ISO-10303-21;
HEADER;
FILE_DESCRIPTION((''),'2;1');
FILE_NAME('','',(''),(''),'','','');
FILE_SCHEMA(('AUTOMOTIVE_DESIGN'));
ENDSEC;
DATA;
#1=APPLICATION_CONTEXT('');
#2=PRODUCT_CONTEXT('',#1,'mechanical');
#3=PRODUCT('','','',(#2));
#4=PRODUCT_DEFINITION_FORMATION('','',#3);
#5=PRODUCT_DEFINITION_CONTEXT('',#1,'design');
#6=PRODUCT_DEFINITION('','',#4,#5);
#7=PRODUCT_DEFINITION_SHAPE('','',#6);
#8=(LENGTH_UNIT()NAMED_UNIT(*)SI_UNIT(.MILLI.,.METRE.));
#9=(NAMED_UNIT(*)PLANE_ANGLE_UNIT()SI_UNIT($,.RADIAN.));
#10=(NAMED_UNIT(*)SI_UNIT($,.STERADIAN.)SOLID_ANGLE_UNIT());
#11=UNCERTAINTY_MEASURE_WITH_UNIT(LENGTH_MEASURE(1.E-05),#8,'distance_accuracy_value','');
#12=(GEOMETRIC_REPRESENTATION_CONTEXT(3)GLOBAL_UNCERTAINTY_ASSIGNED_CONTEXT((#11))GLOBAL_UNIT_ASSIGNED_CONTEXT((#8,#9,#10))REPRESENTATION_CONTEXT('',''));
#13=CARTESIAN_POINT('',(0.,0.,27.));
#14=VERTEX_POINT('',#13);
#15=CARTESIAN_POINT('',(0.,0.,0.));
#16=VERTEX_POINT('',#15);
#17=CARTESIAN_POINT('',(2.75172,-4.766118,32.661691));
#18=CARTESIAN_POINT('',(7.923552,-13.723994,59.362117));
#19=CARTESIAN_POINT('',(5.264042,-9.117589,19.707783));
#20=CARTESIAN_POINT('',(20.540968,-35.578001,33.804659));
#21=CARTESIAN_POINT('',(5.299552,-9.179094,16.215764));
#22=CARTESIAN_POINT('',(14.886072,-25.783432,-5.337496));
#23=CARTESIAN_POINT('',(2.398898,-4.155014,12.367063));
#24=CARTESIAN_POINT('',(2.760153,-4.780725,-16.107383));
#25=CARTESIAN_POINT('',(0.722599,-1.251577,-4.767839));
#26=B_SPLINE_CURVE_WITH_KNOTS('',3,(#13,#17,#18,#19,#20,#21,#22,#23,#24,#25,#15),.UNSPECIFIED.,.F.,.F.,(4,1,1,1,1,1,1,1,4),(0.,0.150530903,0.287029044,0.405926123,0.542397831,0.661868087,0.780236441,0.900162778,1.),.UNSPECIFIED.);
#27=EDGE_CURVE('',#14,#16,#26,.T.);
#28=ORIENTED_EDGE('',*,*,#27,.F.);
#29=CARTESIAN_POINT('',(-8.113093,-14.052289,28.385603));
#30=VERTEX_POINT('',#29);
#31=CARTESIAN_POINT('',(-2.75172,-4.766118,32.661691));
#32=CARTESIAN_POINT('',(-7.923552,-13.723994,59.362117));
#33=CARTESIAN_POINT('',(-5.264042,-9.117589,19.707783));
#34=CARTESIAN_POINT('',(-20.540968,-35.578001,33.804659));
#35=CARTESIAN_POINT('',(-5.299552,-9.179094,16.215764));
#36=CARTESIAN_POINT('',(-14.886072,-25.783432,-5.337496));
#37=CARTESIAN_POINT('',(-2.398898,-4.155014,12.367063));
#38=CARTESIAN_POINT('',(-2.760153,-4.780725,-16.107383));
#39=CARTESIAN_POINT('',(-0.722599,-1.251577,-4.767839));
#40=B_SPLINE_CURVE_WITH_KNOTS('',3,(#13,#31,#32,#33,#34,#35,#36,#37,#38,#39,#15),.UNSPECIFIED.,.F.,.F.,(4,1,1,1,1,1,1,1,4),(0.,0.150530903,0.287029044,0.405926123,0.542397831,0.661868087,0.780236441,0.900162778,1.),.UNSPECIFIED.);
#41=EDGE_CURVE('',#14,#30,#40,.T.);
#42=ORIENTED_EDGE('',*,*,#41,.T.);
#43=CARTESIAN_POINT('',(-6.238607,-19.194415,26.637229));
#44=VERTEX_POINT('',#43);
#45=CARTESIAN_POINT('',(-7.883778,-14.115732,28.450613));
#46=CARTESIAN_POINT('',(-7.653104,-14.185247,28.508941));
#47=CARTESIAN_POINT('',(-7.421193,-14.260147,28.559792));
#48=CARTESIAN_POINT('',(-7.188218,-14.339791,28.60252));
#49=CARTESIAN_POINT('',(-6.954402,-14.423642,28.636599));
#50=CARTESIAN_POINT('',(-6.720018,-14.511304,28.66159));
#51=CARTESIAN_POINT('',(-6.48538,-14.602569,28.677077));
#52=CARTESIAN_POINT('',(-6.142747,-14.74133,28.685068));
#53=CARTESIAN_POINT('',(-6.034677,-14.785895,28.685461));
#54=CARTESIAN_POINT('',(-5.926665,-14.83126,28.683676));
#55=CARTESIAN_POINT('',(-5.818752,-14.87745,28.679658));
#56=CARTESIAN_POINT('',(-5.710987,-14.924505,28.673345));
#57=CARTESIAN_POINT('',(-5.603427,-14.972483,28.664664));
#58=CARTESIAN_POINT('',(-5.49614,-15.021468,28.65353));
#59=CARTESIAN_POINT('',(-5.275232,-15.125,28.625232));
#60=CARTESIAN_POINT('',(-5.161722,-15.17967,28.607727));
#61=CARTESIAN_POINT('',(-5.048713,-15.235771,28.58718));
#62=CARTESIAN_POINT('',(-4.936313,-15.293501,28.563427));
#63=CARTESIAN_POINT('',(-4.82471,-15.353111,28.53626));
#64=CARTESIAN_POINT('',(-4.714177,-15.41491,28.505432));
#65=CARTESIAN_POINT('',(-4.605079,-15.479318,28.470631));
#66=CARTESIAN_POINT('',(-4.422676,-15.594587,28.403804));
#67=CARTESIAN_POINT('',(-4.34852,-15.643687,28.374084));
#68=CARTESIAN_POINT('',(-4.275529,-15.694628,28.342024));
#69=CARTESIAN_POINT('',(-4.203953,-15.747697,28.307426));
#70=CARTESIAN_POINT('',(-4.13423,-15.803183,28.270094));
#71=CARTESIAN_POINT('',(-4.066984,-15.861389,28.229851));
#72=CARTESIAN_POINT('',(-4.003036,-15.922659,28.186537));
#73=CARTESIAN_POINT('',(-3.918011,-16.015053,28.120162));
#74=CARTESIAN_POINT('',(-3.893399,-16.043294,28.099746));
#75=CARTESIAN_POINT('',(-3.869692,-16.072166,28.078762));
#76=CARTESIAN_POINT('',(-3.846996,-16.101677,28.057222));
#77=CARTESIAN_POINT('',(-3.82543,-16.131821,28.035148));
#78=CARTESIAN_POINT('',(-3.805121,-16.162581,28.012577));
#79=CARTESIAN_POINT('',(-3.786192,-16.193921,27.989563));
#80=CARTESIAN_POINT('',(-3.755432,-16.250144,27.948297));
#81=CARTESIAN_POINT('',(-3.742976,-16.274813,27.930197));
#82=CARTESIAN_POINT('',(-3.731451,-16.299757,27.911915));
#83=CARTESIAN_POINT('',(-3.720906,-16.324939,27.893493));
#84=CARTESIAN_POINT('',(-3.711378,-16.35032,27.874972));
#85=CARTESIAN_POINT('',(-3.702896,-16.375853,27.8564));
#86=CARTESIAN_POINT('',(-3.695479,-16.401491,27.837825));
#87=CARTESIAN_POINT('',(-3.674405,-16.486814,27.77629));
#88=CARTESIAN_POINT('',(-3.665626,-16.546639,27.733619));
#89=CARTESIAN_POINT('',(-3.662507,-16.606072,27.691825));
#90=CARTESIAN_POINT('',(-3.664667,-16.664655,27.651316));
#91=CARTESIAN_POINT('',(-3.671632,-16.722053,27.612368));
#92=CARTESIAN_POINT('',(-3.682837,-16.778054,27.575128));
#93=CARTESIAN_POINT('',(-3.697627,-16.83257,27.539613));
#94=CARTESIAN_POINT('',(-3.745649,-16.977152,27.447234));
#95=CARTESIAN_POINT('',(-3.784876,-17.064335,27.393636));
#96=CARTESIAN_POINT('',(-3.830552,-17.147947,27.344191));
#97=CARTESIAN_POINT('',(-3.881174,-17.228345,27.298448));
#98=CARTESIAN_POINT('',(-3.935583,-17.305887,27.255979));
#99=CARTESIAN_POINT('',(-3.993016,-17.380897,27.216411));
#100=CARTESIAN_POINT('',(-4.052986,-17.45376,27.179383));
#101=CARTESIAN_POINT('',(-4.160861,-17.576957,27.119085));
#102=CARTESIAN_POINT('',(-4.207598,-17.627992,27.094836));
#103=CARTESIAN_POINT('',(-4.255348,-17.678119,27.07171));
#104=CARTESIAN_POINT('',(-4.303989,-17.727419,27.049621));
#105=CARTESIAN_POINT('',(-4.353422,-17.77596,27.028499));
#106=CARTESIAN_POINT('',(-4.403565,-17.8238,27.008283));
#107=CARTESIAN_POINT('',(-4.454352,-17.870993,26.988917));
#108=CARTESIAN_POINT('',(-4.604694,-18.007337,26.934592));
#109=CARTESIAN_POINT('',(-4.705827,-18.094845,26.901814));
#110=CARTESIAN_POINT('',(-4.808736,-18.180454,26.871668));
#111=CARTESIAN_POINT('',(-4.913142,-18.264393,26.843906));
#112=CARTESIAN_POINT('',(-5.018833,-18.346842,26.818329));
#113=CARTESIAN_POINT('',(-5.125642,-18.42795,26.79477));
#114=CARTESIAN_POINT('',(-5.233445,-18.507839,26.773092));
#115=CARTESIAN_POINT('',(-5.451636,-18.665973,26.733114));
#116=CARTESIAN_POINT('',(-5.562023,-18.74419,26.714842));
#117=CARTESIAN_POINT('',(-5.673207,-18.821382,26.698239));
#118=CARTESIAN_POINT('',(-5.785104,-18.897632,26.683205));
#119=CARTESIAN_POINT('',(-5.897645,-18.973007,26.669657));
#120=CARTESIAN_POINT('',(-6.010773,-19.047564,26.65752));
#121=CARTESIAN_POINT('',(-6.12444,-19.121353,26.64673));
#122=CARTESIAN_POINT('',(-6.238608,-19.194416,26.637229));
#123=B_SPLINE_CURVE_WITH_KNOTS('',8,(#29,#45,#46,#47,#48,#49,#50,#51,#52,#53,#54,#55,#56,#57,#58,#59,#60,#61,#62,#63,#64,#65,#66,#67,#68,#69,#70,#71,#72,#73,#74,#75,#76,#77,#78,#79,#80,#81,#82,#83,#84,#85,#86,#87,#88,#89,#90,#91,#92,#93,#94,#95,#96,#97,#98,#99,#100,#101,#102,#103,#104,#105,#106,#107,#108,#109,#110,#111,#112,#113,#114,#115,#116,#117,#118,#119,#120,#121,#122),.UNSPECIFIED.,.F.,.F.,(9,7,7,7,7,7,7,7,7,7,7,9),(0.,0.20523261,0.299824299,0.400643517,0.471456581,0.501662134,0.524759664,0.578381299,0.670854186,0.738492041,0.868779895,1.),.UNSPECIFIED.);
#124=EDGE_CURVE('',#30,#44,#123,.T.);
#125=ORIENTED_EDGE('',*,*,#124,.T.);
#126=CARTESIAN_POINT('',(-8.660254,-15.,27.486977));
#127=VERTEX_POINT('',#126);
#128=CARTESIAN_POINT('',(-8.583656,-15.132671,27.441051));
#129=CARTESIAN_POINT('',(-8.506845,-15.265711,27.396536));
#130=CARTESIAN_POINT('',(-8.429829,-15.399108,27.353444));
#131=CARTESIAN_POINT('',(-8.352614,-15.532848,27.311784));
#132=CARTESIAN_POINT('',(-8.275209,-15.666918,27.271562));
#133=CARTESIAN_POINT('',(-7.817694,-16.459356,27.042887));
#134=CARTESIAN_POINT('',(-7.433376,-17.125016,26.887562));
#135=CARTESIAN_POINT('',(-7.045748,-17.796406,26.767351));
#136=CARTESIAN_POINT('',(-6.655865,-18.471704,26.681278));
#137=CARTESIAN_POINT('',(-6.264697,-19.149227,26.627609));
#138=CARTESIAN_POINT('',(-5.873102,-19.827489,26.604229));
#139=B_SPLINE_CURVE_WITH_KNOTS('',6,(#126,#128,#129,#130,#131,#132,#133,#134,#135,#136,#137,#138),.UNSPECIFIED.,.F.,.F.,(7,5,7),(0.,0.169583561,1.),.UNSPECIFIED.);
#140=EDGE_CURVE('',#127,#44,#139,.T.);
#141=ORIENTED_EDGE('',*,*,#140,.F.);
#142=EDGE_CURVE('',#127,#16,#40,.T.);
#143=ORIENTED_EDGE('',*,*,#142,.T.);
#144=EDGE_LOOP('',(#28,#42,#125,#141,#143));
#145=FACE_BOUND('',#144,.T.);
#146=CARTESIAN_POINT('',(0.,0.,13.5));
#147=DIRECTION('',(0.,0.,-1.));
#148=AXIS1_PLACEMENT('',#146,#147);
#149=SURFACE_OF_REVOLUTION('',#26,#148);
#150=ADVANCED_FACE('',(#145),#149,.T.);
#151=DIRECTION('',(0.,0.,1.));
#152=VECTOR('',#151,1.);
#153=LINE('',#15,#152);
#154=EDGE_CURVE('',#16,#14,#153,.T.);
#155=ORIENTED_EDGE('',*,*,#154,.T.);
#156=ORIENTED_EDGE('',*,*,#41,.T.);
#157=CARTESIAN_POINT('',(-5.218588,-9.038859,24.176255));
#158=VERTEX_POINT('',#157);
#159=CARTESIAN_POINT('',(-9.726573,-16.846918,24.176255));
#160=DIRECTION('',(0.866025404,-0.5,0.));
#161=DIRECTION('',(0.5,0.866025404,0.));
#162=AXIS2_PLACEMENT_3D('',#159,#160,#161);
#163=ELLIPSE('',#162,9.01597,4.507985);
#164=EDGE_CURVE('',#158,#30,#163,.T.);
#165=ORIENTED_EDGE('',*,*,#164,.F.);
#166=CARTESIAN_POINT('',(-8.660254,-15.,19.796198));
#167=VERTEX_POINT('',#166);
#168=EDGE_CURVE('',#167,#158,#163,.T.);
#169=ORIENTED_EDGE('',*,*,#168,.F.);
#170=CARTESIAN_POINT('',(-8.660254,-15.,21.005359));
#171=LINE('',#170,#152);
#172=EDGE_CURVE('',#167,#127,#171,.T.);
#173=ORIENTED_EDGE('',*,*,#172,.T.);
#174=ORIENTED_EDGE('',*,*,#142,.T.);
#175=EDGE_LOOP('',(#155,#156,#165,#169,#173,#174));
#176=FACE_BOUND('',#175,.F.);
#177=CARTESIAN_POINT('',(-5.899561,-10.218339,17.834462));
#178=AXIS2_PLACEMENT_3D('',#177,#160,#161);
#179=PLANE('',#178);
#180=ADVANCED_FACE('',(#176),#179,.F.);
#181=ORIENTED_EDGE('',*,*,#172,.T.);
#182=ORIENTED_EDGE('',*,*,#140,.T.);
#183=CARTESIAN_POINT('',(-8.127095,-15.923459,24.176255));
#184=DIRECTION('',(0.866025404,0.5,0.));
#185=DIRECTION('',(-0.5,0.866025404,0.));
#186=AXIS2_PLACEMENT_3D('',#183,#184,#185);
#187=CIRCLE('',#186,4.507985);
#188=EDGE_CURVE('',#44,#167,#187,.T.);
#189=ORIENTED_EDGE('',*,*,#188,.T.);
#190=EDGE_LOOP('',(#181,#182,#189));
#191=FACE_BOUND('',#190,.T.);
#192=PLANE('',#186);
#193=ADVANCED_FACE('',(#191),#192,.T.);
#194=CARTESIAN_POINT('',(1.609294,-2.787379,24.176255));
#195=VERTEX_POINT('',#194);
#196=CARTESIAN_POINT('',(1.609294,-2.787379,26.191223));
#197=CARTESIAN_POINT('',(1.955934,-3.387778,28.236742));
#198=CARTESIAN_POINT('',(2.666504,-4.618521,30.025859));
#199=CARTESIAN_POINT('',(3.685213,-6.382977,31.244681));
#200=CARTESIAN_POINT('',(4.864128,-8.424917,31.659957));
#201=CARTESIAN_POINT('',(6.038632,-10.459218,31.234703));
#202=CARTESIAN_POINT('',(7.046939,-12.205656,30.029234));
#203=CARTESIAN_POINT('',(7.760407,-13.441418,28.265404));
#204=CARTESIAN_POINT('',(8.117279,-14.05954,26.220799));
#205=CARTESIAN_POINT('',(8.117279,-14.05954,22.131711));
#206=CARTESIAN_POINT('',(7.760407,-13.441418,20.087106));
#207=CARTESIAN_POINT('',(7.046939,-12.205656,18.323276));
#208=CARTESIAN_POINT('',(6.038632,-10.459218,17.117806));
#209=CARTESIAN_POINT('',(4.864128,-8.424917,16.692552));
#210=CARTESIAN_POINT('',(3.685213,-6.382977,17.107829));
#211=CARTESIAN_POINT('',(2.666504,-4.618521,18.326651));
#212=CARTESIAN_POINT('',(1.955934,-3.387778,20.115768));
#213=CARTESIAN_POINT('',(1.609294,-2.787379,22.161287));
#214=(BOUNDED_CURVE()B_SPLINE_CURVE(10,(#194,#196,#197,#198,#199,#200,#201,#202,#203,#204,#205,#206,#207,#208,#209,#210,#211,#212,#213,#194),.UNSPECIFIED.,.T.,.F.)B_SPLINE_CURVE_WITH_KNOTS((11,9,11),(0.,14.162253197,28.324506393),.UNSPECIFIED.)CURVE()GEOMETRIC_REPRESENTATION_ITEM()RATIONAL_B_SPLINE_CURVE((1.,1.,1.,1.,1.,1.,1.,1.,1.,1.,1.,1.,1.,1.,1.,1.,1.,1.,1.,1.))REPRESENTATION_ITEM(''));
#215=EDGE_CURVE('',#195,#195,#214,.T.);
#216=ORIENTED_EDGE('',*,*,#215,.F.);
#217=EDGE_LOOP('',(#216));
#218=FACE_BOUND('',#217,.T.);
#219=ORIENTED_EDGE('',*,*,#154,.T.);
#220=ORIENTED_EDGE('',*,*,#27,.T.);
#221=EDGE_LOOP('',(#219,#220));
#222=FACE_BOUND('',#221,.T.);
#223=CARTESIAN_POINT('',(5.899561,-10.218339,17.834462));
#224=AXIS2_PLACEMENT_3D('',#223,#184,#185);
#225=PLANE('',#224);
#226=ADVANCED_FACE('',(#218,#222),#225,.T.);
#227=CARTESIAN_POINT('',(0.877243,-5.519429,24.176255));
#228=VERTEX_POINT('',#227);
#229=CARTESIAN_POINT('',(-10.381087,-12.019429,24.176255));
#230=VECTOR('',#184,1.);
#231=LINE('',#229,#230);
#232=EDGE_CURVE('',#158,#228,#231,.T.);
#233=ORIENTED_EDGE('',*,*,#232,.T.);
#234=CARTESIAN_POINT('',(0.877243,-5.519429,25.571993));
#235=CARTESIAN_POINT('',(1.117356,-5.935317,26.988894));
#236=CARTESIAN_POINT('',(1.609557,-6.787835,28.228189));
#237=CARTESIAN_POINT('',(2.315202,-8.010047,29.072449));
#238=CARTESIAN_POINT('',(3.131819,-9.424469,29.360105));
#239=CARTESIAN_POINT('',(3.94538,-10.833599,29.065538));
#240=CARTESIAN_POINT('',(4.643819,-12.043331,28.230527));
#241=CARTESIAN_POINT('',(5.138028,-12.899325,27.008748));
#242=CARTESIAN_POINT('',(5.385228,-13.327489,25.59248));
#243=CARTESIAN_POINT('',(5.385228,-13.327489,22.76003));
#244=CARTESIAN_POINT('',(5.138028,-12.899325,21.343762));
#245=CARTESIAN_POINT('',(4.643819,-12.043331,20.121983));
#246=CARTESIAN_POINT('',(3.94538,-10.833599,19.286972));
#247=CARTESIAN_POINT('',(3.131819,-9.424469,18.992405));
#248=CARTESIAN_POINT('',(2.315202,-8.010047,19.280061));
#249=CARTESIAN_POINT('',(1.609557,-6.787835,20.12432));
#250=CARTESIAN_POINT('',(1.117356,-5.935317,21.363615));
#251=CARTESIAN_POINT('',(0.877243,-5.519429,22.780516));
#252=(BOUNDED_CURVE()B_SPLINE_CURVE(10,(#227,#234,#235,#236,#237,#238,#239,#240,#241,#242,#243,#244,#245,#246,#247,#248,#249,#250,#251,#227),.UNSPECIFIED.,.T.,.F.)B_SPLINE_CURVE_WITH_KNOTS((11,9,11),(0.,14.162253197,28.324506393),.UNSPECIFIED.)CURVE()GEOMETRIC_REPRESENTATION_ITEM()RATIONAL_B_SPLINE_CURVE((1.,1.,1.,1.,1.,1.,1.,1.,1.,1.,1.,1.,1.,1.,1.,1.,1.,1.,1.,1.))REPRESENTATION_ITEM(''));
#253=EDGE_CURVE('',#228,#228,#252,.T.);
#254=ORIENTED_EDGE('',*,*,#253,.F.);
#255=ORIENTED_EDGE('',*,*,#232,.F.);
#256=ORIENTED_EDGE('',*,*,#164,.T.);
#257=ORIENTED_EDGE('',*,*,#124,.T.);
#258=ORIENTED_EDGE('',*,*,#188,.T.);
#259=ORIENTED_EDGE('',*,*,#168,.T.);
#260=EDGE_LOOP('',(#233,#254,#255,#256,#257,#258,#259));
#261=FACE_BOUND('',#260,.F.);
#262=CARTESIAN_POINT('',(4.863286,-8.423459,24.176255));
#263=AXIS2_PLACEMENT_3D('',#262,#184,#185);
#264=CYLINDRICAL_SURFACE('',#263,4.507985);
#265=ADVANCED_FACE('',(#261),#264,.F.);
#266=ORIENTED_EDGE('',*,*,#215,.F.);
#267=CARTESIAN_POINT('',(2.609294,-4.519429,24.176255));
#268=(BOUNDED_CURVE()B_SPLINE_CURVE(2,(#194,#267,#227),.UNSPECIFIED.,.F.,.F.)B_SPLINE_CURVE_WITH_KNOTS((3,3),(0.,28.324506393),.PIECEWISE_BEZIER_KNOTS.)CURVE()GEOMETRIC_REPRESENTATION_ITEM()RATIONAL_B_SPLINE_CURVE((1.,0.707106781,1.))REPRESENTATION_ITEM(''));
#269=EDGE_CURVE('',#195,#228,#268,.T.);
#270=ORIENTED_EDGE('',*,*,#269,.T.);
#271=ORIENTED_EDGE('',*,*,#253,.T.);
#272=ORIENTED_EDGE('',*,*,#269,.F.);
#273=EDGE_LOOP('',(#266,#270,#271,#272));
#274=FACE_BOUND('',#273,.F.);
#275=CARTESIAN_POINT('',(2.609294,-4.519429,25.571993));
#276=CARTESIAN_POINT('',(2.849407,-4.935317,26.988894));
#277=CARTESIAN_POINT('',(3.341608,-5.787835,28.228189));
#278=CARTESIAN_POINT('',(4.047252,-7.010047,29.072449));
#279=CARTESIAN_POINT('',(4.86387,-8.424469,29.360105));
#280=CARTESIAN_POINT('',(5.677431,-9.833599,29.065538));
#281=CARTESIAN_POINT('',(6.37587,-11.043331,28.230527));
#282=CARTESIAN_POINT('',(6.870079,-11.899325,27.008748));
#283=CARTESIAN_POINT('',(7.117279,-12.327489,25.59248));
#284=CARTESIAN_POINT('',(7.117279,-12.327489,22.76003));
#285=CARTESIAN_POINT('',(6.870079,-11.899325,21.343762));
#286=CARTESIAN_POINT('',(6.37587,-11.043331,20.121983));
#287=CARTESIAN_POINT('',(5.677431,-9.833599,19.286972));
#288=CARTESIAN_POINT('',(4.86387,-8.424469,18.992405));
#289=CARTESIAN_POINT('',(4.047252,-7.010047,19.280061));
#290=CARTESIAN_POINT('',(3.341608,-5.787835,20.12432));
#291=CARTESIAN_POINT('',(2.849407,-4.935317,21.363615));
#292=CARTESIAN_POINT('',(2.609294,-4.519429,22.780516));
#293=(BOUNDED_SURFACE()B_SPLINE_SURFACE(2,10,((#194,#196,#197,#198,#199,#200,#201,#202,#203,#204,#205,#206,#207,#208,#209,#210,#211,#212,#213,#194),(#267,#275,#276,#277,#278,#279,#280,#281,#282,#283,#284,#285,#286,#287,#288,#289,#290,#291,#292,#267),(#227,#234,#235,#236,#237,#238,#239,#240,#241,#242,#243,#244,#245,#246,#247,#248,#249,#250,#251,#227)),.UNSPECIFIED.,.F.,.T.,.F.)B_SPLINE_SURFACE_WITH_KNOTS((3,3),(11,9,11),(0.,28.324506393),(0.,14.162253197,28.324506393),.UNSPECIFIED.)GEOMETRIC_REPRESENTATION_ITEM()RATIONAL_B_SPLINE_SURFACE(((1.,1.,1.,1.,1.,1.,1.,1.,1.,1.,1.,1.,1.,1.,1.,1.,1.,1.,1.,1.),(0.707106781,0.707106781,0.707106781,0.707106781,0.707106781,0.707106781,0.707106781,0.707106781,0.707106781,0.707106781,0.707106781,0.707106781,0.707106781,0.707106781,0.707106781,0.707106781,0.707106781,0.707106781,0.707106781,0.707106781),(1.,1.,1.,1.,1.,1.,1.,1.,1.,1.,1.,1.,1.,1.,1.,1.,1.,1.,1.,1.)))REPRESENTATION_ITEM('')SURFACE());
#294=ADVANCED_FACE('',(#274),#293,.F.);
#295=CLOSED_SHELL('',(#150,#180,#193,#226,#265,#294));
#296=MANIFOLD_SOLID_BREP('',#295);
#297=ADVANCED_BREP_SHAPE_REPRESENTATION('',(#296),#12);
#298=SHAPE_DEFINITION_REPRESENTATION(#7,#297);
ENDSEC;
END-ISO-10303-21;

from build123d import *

# Parameters (mm, degrees)
F1_ANGLE_BACK = 30
F1_ANGLE      = 60
F2_R          = 4.5079852031
F3_DEPTH      = 15
F4_R          = 2


with BuildPart() as f1:
    # F0 (on Right) → F1 (revolve)
    with BuildSketch(Plane.YZ, mode=Mode.PRIVATE) as f1_sk:
        with BuildLine():
            Line((0, 0), (0, 27))
            add(Edge.make_bspline(
                [(0, 27), (-5.5034394129, 32.661690712), (-15.8471030498, 59.3621170559), (-10.5280846021, 19.7077828646), (-41.0819364315, 33.8046592086), (-10.5991049383, 16.215764014), (-29.7721432902, -5.3374961203), (-4.7977967218, 12.3670629457), (-5.5203058645, -16.1073831097), (-1.4451971006, -4.7678385339), (0, 0)],
                knots=[0, 0, 0, 0, 0.150530903, 0.287029044, 0.4059261233, 0.5423978305, 0.661868087, 0.7802364409, 0.9001627782, 1, 1, 1, 1], degree=3))
        make_face()
    revolve(f1_sk.sketch.rotate(Axis((0, 0, 13.5), (0, 0, -1)), -F1_ANGLE_BACK), axis=Axis((0, 0, 13.5), (0, 0, -1)), revolution_arc=F1_ANGLE)

    # F2 (on face) → F3 (cut, symmetric)
    with BuildSketch(Plane(origin=(0, 0, 0), x_dir=(-0.5, 0.8660254038, 0), z_dir=(0.8660254038, 0.5, 0))):
        with Locations((-9.7265727818, 24.1762548685)):
            Circle(F2_R)
    extrude(amount=F3_DEPTH, both=True, mode=Mode.SUBTRACT)

    # F4
    f4_edges = [f1.edges().sort_by_distance(p)[0] for p in [
        (7.117279, -12.327489, 24.176255),
    ]]
    fillet(f4_edges, radius=F4_R)


solid = f1.part
